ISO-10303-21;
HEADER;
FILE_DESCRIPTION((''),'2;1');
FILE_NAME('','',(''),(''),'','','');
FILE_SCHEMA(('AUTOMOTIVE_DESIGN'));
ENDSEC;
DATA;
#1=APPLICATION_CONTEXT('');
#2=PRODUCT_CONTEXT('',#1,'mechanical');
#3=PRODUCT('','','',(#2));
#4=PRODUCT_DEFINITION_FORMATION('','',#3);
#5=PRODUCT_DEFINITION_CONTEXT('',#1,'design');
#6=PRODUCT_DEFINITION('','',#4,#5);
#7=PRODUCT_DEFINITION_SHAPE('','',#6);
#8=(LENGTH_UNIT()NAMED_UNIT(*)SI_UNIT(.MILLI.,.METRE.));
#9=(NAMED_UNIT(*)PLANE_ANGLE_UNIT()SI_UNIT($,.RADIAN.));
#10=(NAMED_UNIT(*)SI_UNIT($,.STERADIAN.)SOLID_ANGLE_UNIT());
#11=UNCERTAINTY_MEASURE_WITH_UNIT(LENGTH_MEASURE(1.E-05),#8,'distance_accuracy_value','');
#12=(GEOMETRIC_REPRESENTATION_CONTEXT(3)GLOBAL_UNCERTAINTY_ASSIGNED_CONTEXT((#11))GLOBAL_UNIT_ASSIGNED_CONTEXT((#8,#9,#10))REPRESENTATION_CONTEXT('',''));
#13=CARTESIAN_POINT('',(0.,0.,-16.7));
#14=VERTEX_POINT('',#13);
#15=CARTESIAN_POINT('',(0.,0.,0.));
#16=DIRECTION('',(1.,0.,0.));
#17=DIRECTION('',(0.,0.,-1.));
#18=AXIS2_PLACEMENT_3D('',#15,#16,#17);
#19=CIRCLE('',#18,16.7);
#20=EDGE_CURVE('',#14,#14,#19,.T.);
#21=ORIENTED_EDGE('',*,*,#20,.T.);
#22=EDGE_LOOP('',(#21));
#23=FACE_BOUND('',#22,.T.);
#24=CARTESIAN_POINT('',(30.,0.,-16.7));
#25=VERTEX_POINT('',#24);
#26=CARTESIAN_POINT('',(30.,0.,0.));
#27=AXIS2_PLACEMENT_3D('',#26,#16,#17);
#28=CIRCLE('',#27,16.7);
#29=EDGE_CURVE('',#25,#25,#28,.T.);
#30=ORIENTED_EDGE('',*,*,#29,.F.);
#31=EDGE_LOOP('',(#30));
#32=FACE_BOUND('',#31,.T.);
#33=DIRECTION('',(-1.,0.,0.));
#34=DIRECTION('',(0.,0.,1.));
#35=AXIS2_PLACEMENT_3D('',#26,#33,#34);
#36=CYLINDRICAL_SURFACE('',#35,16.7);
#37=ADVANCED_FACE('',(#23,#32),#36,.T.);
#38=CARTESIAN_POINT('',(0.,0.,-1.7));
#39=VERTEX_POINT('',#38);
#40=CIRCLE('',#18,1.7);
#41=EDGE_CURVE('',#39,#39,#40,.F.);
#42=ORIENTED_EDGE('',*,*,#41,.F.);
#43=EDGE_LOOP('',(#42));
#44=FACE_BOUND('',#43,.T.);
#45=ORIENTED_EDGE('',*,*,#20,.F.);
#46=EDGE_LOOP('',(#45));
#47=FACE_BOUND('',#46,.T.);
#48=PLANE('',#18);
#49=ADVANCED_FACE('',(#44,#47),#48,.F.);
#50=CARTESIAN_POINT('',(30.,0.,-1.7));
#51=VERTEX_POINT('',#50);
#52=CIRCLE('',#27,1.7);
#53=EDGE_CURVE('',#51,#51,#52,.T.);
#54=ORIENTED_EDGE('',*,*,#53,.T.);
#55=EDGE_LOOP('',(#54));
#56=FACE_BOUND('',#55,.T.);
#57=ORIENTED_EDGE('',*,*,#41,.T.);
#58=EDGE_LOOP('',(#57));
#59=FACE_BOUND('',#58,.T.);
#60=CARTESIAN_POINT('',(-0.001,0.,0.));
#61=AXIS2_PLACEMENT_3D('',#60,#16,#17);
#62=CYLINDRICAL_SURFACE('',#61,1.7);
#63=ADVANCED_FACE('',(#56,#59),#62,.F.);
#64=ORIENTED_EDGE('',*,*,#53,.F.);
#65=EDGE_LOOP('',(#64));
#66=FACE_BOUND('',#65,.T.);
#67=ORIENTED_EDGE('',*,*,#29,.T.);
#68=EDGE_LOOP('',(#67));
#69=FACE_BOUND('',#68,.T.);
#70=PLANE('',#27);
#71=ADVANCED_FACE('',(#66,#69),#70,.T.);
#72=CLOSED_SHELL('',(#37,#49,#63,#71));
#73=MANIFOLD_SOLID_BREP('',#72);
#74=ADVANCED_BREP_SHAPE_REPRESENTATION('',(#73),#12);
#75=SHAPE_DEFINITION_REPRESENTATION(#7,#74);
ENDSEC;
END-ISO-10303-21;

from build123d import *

# Parameters (mm, degrees)
SKETCH1_R           = 16.7
BOSS_EXTRUDE1_DEPTH = 30
CUT_EXTRUDE1_REACH  = 40.181
SKETCH2_R           = 1.7


with BuildPart() as part:
    # Sketch1 → Boss-Extrude1 (new body)
    with BuildSketch(Plane.YZ):
        with Locations(Location((0, 0, 0), (0, 0, 270))):
            Circle(SKETCH1_R)
    extrude(amount=BOSS_EXTRUDE1_DEPTH)

    # Sketch2 → Cut-Extrude1 (cut, up to next)
    with BuildSketch(Plane.YZ.offset(30), mode=Mode.PRIVATE) as cut_extrude1_sk1:
        with Locations(Location((0, 0, 0), (0, 0, 270))):
            Circle(SKETCH2_R)
    cut_extrude1_tool1 = extrude(cut_extrude1_sk1.sketch, amount=-CUT_EXTRUDE1_REACH, mode=Mode.PRIVATE) & part.part
    add(cut_extrude1_tool1.solids().sort_by_distance((30, 0, 0))[0], mode=Mode.SUBTRACT)


solid = part.part
